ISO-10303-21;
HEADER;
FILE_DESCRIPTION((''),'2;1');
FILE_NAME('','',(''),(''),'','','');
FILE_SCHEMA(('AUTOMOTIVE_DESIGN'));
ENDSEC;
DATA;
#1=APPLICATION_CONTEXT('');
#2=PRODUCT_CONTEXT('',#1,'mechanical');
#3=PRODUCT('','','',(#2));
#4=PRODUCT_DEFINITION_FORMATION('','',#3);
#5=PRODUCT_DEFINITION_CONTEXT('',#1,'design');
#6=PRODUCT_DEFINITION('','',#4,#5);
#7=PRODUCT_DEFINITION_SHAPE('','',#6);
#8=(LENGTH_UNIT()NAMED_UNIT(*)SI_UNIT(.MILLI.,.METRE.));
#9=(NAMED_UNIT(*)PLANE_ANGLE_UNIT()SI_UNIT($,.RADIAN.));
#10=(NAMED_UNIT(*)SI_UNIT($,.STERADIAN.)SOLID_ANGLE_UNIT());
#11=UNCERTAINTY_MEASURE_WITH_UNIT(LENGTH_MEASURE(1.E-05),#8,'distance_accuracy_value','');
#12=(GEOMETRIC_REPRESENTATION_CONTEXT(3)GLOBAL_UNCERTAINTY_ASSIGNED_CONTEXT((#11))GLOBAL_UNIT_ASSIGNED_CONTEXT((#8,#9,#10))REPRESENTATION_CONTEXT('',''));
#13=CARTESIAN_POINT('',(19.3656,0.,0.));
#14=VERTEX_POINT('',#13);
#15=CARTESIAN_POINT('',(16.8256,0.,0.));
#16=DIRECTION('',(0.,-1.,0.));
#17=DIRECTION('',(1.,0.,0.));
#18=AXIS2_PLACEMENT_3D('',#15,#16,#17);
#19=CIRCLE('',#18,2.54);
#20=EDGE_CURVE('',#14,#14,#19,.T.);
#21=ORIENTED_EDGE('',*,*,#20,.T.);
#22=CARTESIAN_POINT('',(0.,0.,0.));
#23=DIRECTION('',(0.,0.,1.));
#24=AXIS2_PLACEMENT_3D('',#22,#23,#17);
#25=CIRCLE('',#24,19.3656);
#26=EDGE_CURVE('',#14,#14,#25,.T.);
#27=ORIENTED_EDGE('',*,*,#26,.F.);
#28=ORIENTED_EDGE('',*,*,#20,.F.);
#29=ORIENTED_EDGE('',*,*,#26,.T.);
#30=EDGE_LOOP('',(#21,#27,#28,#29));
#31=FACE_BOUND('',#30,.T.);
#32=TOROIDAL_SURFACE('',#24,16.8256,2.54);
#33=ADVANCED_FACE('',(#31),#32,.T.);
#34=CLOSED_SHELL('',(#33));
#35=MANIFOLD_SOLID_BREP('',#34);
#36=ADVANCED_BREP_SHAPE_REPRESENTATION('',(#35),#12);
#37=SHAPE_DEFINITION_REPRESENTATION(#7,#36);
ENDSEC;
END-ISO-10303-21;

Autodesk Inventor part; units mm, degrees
ref_plane "YZ Plane" through (0, 0, 0) normal (1, 0, 0) x (0, 1, 0)
ref_plane "XZ Plane" through (0, 0, 0) normal (0, 1, 0) x (-1, 0, 0)
ref_plane "XY Plane" through (0, 0, 0) normal (0, 0, 1) x (1, 0, 0)
sketch "Sketch1" plane through (0, 0, 0) normal (0, 0, 1) x (1, 0, 0)
  circle A0 centre (0, 0) radius 19.3421
  circle A1 centre (0, 0) radius 14.2621
  dimension "d0" = 38.6842
  dimension "d8" = 28.5242
sketch "Sketch4" plane through (0, 0, 0) normal (1, 0, 0) x (0, 1, 0)
  circle A0 centre (16.8256, 0) radius 2.54
  point P0 (0, 0)
  dimension "d9" = 5.08
sweep "Sweep1" add profiles "Sketch4" path "Sketch1" path curves A0
properties part number "cw O-ring"
